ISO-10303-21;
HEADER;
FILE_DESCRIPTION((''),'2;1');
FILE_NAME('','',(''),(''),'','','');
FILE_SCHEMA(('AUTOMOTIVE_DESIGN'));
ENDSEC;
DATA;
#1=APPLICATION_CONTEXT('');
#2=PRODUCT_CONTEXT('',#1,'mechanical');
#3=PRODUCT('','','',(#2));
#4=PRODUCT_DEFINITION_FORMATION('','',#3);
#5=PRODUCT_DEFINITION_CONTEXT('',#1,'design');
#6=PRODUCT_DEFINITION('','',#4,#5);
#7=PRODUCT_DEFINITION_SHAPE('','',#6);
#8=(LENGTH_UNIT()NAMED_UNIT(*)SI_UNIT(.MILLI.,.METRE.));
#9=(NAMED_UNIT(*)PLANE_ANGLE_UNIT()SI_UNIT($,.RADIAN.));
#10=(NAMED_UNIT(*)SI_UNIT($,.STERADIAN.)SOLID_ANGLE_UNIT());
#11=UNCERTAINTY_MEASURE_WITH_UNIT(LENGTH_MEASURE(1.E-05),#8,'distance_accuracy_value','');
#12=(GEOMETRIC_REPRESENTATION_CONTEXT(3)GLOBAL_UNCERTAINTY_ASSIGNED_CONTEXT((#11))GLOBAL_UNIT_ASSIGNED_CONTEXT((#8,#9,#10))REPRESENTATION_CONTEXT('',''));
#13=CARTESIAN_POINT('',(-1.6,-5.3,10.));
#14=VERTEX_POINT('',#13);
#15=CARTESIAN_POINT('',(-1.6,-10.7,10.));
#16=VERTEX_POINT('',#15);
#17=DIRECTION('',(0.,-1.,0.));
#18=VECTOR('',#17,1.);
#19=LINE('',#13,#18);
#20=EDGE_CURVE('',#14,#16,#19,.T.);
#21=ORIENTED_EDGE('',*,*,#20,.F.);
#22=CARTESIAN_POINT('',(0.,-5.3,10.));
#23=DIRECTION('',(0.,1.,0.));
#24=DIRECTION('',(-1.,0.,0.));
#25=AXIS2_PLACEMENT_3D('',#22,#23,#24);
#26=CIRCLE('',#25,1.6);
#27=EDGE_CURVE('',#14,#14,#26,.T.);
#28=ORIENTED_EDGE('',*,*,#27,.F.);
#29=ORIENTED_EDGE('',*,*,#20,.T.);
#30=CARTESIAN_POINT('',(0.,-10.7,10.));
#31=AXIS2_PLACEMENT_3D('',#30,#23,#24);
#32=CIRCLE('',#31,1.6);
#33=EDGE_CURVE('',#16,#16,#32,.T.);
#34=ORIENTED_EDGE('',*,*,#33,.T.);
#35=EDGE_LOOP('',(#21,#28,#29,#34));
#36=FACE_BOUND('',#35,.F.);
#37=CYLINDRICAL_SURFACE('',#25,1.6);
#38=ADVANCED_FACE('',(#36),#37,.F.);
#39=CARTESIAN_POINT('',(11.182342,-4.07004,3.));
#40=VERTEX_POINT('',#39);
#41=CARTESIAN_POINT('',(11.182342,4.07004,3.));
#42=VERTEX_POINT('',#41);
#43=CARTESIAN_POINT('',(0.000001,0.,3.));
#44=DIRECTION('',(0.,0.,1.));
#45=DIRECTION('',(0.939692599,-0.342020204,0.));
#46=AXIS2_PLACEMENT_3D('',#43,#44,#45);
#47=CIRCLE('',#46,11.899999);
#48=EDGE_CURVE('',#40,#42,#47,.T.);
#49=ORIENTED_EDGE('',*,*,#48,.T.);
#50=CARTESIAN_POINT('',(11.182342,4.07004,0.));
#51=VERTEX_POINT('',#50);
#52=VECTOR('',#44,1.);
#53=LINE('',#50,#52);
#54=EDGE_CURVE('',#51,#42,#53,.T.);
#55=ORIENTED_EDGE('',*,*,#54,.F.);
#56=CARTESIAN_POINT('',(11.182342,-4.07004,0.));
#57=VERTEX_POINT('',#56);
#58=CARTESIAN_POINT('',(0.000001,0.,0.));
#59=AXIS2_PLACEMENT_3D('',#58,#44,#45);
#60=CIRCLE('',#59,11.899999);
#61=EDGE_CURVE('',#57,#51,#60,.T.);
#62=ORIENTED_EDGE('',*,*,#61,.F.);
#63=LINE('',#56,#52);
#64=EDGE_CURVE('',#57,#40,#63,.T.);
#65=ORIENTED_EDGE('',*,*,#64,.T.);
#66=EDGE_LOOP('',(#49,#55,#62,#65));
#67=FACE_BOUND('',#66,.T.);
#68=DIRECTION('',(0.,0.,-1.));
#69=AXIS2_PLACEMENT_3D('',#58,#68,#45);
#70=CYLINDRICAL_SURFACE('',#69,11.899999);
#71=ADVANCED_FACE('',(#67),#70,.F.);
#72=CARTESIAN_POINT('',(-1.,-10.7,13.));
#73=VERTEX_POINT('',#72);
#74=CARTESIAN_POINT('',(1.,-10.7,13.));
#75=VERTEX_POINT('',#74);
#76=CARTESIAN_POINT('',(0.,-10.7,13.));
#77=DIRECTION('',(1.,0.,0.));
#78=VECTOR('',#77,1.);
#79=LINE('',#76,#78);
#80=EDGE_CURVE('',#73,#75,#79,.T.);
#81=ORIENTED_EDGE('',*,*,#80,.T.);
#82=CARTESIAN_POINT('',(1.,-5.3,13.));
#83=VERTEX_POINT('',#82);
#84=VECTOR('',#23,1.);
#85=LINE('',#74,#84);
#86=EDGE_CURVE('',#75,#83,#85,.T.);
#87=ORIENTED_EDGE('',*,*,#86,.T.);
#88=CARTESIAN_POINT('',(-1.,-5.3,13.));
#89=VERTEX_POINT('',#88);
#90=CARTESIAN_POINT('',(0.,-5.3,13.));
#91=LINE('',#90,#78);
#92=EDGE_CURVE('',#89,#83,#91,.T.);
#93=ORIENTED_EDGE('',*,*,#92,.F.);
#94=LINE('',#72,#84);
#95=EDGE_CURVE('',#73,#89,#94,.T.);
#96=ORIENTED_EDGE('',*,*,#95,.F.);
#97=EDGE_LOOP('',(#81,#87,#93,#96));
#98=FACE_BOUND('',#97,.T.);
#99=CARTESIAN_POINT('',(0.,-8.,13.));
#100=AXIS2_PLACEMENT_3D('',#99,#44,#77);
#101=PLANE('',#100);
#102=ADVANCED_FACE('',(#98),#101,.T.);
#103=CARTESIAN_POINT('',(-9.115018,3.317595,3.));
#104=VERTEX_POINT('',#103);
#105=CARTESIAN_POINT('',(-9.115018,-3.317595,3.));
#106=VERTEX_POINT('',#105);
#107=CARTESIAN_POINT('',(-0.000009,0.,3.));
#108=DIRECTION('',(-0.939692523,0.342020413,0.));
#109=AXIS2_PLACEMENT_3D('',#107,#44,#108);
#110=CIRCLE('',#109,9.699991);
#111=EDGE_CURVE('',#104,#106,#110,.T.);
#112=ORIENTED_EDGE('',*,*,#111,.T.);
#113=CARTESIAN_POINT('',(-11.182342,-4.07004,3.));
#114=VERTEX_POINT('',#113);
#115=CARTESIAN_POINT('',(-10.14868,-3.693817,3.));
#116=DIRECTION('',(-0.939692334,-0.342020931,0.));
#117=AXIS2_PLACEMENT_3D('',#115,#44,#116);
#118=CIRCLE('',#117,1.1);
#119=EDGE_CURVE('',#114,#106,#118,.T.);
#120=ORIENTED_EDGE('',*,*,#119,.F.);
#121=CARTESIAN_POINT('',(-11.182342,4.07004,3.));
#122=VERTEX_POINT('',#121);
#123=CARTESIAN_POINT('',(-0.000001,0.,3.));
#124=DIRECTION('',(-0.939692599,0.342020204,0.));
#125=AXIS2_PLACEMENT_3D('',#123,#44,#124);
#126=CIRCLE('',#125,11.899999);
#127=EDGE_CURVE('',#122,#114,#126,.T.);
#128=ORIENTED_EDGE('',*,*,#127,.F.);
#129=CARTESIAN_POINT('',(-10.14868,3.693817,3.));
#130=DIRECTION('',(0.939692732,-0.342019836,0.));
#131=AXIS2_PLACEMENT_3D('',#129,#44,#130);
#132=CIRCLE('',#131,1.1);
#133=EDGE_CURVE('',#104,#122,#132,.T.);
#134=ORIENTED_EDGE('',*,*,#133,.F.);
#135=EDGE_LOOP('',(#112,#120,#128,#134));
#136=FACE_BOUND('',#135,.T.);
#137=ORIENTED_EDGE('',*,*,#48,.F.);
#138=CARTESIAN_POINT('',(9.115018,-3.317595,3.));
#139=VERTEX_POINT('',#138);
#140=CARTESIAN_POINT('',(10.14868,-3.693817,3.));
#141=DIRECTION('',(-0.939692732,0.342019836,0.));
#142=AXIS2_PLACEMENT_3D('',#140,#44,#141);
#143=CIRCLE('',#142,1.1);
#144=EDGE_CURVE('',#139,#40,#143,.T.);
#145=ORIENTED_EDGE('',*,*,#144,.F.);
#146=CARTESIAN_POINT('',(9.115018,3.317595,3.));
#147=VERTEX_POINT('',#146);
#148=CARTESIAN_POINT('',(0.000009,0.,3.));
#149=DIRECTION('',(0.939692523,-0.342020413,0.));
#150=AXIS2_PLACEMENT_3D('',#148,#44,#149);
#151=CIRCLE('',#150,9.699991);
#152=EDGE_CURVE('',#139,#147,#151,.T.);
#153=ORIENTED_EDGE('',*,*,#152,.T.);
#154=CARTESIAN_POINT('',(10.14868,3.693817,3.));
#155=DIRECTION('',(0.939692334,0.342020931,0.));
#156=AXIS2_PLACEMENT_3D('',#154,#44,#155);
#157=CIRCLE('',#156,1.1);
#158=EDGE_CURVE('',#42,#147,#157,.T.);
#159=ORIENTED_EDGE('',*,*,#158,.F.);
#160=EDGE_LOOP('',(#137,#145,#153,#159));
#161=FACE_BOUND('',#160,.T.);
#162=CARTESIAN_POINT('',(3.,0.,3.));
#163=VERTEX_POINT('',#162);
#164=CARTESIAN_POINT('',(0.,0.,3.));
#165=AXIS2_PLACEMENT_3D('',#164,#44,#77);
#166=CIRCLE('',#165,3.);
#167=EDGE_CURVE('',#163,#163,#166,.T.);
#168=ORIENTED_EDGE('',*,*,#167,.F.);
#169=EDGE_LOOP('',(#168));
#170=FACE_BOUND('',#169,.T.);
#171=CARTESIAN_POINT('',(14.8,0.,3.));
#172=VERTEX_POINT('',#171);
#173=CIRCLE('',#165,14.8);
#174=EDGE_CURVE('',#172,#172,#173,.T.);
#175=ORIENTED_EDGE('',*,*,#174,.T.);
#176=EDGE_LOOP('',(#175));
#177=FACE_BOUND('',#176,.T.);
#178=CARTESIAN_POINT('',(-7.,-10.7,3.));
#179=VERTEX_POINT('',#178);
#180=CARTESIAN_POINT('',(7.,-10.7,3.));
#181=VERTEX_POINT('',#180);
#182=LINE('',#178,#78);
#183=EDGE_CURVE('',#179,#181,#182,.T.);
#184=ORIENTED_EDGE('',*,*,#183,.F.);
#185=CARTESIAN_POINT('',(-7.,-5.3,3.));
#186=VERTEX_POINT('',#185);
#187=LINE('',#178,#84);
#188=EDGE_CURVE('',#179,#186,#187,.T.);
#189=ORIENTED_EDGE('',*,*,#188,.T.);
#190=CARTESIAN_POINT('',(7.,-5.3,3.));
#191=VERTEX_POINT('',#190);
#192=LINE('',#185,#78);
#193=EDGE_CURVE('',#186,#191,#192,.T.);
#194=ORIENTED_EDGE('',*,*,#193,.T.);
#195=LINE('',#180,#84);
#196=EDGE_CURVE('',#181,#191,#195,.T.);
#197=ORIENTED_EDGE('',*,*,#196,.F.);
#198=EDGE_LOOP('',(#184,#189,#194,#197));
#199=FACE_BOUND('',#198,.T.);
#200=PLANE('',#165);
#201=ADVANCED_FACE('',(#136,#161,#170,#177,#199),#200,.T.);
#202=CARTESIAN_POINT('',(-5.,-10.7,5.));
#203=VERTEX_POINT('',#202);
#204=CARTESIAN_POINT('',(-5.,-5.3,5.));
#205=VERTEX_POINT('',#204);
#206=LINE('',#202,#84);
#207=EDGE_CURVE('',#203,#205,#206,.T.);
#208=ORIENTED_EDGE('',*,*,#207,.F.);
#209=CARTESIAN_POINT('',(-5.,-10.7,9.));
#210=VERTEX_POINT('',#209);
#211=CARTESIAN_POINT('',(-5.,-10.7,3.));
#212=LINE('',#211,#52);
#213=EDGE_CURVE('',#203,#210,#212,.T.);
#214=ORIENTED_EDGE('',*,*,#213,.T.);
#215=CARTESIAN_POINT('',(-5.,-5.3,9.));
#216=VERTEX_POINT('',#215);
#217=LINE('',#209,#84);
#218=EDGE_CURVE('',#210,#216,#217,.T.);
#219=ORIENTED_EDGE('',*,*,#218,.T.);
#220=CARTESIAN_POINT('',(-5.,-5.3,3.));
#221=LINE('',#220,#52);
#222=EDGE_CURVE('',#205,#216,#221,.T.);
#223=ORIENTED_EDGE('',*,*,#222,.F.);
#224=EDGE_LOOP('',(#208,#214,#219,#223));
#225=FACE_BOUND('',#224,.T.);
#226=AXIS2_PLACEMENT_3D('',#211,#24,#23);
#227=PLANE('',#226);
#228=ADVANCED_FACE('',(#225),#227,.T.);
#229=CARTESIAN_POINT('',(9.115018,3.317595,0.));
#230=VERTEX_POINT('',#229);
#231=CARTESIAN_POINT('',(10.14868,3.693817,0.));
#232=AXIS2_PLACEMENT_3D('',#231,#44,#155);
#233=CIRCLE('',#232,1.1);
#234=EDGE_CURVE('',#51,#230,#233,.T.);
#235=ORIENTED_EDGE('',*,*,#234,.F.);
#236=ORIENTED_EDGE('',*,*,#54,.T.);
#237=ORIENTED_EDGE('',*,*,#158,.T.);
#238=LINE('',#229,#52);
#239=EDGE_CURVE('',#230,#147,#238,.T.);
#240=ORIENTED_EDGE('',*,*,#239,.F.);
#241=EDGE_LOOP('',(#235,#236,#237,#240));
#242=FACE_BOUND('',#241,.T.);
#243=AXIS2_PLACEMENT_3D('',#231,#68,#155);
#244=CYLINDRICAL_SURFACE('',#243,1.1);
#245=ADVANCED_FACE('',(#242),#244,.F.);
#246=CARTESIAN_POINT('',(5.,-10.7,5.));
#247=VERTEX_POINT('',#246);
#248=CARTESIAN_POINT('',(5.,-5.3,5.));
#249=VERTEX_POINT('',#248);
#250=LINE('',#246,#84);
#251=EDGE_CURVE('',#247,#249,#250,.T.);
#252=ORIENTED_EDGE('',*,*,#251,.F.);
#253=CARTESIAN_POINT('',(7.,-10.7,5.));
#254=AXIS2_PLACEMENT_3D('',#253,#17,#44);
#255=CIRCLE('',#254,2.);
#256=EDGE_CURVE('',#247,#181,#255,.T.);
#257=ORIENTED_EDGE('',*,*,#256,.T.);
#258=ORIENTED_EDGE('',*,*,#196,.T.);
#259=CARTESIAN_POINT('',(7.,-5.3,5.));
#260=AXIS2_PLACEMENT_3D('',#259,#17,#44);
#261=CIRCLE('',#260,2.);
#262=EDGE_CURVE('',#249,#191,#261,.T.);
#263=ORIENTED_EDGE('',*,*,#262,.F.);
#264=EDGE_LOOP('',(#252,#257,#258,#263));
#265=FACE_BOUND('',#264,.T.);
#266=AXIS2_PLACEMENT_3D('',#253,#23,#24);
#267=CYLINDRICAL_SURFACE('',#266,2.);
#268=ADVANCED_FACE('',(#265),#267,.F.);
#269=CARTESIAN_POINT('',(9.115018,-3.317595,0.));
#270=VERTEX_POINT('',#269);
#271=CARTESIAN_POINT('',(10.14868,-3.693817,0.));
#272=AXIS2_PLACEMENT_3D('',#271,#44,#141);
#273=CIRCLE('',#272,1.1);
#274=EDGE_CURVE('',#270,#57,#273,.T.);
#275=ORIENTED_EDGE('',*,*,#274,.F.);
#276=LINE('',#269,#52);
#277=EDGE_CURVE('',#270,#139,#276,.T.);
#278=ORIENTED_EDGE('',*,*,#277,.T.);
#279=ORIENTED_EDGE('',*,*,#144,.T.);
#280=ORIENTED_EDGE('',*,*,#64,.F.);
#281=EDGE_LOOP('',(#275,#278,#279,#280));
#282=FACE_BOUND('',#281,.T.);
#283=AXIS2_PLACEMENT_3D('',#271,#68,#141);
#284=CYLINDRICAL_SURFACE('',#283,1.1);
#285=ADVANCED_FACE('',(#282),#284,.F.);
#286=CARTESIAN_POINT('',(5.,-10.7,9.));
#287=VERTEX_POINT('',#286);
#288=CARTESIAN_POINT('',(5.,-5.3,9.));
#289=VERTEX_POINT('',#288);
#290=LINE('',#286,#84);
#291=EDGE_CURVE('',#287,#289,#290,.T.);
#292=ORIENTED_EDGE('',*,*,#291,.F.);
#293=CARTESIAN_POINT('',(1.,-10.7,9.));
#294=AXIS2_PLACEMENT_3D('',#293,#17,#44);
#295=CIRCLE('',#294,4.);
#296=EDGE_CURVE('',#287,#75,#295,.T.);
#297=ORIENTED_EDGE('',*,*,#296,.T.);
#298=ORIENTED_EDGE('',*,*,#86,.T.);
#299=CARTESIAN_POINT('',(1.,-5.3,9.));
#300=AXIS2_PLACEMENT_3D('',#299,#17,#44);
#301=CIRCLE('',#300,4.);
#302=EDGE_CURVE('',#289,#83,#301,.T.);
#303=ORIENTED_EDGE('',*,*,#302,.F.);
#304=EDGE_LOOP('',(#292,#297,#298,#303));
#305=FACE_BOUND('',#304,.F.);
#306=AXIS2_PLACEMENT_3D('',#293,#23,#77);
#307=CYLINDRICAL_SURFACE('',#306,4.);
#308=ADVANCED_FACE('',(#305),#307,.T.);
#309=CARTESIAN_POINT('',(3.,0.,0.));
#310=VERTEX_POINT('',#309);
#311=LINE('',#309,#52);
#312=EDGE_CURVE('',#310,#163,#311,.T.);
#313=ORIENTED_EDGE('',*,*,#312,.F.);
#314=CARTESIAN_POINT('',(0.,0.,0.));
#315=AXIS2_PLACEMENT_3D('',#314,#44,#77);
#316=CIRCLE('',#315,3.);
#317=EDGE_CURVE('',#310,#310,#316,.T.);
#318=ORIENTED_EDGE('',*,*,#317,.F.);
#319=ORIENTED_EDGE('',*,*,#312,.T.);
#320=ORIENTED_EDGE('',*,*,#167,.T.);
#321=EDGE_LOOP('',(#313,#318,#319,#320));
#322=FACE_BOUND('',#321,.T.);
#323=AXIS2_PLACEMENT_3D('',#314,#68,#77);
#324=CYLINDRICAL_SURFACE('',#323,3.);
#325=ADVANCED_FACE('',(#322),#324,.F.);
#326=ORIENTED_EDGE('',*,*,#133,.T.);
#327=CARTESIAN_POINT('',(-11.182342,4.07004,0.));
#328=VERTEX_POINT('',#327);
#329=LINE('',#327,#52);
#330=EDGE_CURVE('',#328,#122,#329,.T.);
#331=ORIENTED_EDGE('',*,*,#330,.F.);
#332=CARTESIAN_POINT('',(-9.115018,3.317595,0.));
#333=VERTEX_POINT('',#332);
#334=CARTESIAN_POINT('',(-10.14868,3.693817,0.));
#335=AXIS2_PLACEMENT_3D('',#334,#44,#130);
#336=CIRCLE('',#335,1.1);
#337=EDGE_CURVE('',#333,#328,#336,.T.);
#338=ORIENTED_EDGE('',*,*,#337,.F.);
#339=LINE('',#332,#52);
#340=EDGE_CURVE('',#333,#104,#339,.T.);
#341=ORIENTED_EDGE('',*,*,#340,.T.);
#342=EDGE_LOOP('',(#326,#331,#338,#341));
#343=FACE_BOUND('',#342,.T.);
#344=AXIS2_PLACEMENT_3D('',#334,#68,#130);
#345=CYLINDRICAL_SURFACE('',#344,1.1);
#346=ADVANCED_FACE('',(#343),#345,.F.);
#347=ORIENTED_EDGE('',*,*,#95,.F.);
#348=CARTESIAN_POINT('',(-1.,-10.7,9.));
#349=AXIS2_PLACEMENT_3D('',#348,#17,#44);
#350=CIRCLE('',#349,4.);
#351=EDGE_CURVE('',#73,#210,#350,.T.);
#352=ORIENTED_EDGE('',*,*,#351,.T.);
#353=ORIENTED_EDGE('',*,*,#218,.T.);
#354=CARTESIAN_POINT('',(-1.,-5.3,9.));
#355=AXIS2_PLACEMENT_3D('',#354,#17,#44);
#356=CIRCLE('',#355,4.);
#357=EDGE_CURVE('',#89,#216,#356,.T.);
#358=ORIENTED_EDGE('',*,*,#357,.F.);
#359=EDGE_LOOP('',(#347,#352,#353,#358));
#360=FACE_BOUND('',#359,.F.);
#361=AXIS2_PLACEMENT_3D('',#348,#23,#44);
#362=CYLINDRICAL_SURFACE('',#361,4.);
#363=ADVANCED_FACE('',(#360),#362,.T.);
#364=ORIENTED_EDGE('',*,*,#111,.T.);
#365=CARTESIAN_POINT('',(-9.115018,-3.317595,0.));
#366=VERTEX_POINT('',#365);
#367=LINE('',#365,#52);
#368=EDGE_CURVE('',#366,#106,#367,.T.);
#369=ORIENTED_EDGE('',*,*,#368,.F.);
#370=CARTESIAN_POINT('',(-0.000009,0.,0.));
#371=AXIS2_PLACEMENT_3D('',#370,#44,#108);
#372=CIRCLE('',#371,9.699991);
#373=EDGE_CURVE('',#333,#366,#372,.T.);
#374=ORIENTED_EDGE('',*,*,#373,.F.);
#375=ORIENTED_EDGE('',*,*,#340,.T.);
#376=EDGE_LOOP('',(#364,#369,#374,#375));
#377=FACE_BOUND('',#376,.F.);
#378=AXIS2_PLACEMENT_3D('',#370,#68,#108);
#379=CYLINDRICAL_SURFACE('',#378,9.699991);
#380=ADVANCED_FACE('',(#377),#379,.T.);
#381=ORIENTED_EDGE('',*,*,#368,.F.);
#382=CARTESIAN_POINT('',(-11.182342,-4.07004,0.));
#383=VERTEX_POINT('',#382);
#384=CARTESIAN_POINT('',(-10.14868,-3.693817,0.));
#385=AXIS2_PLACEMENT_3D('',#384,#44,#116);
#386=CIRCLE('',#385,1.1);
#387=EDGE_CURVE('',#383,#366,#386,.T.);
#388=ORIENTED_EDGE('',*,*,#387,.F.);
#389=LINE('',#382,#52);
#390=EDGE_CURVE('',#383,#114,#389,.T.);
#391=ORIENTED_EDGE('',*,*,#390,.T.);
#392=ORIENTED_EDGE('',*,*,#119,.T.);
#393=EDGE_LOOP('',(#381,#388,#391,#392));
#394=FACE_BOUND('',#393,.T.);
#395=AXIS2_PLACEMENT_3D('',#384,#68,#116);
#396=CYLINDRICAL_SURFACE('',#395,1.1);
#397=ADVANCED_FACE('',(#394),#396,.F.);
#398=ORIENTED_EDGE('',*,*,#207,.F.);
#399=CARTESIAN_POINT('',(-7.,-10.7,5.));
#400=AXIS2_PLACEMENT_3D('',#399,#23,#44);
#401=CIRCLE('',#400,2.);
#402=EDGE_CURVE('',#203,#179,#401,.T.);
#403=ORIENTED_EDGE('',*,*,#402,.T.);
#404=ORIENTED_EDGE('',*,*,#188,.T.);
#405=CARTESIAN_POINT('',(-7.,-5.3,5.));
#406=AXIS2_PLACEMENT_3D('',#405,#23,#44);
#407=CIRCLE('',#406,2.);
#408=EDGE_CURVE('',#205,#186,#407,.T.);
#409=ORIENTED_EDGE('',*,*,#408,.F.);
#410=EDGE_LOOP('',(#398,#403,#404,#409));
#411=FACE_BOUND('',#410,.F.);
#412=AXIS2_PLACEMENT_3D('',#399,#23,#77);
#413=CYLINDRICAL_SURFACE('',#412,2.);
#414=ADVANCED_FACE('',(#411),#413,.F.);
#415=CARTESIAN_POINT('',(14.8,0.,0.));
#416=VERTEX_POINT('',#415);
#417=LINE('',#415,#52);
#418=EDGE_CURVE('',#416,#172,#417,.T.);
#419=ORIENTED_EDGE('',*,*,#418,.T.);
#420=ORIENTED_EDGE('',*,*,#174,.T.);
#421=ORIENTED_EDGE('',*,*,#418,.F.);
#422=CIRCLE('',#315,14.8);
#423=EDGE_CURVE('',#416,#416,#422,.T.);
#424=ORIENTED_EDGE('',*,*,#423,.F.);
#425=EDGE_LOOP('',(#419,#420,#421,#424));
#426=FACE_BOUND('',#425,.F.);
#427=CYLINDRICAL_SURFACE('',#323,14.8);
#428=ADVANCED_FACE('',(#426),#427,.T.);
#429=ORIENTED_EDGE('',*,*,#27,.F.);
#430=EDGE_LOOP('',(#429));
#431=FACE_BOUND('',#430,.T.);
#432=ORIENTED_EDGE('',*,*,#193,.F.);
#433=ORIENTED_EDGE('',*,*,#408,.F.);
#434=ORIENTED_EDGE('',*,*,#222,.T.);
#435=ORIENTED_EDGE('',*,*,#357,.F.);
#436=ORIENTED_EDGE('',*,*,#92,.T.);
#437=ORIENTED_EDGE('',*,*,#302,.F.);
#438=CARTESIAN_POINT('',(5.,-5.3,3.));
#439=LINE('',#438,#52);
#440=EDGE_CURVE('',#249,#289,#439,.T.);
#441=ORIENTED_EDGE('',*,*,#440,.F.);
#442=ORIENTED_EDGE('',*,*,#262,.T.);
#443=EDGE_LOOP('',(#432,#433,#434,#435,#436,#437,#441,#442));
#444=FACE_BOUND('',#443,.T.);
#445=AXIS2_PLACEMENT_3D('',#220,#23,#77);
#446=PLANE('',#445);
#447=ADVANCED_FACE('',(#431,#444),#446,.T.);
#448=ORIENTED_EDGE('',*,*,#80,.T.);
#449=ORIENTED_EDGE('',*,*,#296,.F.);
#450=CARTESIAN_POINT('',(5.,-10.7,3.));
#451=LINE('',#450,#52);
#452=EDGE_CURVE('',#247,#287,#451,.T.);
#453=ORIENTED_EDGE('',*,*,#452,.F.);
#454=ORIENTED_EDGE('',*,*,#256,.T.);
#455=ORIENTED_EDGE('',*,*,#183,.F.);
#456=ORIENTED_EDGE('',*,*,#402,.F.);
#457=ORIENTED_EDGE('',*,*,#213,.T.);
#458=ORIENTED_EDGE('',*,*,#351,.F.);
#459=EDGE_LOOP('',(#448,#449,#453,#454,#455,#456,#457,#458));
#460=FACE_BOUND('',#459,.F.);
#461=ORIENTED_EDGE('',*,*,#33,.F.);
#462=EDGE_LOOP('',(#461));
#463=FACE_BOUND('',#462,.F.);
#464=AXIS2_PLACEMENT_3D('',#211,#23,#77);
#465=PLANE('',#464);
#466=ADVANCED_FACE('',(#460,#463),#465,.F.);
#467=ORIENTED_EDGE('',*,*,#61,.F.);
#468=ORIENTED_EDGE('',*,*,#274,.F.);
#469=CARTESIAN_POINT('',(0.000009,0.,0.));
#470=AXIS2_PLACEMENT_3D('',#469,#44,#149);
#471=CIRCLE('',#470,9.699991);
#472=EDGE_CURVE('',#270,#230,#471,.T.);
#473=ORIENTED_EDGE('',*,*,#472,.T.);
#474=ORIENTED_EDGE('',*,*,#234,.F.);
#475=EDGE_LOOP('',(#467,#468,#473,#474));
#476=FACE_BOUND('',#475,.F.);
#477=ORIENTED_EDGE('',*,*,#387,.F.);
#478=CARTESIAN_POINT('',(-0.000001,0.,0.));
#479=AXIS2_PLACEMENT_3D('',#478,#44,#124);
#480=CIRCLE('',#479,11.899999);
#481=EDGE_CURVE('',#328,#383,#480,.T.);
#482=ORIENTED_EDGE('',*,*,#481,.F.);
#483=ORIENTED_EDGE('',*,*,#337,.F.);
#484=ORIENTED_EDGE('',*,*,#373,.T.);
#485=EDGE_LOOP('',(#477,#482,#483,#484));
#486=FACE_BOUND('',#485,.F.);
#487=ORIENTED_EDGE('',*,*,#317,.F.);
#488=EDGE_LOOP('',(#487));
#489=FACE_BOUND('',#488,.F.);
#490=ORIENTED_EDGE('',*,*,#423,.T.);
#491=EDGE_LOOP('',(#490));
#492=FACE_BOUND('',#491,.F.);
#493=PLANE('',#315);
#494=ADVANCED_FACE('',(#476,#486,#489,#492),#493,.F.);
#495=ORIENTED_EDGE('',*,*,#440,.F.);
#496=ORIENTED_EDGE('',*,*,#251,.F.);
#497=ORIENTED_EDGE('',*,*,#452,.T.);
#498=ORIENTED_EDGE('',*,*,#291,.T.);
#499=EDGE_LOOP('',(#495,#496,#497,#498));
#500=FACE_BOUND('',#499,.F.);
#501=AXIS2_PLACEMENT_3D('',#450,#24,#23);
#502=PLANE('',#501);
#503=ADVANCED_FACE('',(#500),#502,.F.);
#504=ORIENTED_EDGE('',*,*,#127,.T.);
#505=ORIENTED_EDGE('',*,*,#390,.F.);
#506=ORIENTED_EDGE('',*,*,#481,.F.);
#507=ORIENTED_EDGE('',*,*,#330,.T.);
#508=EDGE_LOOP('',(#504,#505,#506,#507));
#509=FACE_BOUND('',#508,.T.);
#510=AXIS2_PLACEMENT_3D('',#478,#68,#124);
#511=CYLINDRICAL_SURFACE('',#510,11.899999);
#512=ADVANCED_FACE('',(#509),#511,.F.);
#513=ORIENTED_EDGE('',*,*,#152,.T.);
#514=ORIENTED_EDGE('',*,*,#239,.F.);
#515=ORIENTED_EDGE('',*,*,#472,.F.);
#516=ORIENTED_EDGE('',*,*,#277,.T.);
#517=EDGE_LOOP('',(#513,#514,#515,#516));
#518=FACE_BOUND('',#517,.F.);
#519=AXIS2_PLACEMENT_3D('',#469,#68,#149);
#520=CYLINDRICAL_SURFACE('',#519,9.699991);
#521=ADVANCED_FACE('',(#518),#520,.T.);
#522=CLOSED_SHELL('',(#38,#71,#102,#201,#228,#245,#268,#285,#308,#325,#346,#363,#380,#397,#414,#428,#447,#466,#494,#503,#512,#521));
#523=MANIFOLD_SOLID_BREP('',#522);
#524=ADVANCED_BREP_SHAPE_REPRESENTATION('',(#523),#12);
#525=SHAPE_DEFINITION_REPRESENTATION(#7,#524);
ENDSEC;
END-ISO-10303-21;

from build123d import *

# Parameters (mm, degrees)
SKETCH_R     = 14.8
SKETCH_R_2   = 3
PAD_DEPTH    = 3
SKETCH002_W  = 10
SKETCH002_H  = 5.4
PAD001_DEPTH = 10
SKETCH003_R  = 1.6
POCKET_DEPTH = 5.4
FILLET_R     = 4
FILLET001_R  = 4
FILLET002_R  = 2
FILLET003_R  = 2


with BuildPart() as part:
    # Sketch → Pad (new body)
    with BuildSketch(Plane.XY):
        Circle(SKETCH_R)
        Circle(SKETCH_R_2, mode=Mode.SUBTRACT)
        with BuildLine():
            ThreePointArc((-9.115018, 3.317595), (-9.772458, 4.727479), (-11.182342, 4.07004))
            ThreePointArc((-11.182342, 4.07004), (-11.9, 0), (-11.182342, -4.07004))
            ThreePointArc((-11.182342, -4.07004), (-9.772458, -4.727479), (-9.115018, -3.317595))
            ThreePointArc((-9.115018, 3.317595), (-9.7, 0), (-9.115018, -3.317595))
        make_face(mode=Mode.SUBTRACT)
        with BuildLine():
            ThreePointArc((11.182342, 4.07004), (9.772458, 4.727479), (9.115018, 3.317595))
            ThreePointArc((9.115018, -3.317595), (9.7, 0), (9.115018, 3.317595))
            ThreePointArc((9.115018, -3.317595), (9.772458, -4.727479), (11.182342, -4.07004))
            ThreePointArc((11.182342, -4.07004), (11.9, 0), (11.182342, 4.07004))
        make_face(mode=Mode.SUBTRACT)
    extrude(amount=PAD_DEPTH)

    # Sketch002 → Pad001 (new body)
    with BuildSketch(Plane.XY.offset(3)):
        with Locations((0, -8)):
            Rectangle(SKETCH002_W, SKETCH002_H)
    extrude(amount=PAD001_DEPTH)

    # Sketch003 → Pocket (cut)
    with BuildSketch(Plane(origin=(0, -5.3, 0), x_dir=(-1, 0, 0), z_dir=(0, 1, 0))):
        with Locations((0, 10)):
            Circle(SKETCH003_R)
    extrude(amount=-POCKET_DEPTH, mode=Mode.SUBTRACT)

    # Fillet
    fillet_edges = [part.edges().sort_by_distance(p)[0] for p in [
        (5, -8, 13),
    ]]
    fillet(fillet_edges, radius=FILLET_R)

    # Fillet001
    fillet001_edges = [part.edges().sort_by_distance(p)[0] for p in [
        (-5, -8, 13),
    ]]
    fillet(fillet001_edges, radius=FILLET001_R)

    # Fillet002
    fillet002_edges = [part.edges().sort_by_distance(p)[0] for p in [
        (5, -8, 3),
    ]]
    fillet(fillet002_edges, radius=FILLET002_R)

    # Fillet003
    fillet003_edges = [part.edges().sort_by_distance(p)[0] for p in [
        (-5, -8, 3),
    ]]
    fillet(fillet003_edges, radius=FILLET003_R)


solid = part.part
